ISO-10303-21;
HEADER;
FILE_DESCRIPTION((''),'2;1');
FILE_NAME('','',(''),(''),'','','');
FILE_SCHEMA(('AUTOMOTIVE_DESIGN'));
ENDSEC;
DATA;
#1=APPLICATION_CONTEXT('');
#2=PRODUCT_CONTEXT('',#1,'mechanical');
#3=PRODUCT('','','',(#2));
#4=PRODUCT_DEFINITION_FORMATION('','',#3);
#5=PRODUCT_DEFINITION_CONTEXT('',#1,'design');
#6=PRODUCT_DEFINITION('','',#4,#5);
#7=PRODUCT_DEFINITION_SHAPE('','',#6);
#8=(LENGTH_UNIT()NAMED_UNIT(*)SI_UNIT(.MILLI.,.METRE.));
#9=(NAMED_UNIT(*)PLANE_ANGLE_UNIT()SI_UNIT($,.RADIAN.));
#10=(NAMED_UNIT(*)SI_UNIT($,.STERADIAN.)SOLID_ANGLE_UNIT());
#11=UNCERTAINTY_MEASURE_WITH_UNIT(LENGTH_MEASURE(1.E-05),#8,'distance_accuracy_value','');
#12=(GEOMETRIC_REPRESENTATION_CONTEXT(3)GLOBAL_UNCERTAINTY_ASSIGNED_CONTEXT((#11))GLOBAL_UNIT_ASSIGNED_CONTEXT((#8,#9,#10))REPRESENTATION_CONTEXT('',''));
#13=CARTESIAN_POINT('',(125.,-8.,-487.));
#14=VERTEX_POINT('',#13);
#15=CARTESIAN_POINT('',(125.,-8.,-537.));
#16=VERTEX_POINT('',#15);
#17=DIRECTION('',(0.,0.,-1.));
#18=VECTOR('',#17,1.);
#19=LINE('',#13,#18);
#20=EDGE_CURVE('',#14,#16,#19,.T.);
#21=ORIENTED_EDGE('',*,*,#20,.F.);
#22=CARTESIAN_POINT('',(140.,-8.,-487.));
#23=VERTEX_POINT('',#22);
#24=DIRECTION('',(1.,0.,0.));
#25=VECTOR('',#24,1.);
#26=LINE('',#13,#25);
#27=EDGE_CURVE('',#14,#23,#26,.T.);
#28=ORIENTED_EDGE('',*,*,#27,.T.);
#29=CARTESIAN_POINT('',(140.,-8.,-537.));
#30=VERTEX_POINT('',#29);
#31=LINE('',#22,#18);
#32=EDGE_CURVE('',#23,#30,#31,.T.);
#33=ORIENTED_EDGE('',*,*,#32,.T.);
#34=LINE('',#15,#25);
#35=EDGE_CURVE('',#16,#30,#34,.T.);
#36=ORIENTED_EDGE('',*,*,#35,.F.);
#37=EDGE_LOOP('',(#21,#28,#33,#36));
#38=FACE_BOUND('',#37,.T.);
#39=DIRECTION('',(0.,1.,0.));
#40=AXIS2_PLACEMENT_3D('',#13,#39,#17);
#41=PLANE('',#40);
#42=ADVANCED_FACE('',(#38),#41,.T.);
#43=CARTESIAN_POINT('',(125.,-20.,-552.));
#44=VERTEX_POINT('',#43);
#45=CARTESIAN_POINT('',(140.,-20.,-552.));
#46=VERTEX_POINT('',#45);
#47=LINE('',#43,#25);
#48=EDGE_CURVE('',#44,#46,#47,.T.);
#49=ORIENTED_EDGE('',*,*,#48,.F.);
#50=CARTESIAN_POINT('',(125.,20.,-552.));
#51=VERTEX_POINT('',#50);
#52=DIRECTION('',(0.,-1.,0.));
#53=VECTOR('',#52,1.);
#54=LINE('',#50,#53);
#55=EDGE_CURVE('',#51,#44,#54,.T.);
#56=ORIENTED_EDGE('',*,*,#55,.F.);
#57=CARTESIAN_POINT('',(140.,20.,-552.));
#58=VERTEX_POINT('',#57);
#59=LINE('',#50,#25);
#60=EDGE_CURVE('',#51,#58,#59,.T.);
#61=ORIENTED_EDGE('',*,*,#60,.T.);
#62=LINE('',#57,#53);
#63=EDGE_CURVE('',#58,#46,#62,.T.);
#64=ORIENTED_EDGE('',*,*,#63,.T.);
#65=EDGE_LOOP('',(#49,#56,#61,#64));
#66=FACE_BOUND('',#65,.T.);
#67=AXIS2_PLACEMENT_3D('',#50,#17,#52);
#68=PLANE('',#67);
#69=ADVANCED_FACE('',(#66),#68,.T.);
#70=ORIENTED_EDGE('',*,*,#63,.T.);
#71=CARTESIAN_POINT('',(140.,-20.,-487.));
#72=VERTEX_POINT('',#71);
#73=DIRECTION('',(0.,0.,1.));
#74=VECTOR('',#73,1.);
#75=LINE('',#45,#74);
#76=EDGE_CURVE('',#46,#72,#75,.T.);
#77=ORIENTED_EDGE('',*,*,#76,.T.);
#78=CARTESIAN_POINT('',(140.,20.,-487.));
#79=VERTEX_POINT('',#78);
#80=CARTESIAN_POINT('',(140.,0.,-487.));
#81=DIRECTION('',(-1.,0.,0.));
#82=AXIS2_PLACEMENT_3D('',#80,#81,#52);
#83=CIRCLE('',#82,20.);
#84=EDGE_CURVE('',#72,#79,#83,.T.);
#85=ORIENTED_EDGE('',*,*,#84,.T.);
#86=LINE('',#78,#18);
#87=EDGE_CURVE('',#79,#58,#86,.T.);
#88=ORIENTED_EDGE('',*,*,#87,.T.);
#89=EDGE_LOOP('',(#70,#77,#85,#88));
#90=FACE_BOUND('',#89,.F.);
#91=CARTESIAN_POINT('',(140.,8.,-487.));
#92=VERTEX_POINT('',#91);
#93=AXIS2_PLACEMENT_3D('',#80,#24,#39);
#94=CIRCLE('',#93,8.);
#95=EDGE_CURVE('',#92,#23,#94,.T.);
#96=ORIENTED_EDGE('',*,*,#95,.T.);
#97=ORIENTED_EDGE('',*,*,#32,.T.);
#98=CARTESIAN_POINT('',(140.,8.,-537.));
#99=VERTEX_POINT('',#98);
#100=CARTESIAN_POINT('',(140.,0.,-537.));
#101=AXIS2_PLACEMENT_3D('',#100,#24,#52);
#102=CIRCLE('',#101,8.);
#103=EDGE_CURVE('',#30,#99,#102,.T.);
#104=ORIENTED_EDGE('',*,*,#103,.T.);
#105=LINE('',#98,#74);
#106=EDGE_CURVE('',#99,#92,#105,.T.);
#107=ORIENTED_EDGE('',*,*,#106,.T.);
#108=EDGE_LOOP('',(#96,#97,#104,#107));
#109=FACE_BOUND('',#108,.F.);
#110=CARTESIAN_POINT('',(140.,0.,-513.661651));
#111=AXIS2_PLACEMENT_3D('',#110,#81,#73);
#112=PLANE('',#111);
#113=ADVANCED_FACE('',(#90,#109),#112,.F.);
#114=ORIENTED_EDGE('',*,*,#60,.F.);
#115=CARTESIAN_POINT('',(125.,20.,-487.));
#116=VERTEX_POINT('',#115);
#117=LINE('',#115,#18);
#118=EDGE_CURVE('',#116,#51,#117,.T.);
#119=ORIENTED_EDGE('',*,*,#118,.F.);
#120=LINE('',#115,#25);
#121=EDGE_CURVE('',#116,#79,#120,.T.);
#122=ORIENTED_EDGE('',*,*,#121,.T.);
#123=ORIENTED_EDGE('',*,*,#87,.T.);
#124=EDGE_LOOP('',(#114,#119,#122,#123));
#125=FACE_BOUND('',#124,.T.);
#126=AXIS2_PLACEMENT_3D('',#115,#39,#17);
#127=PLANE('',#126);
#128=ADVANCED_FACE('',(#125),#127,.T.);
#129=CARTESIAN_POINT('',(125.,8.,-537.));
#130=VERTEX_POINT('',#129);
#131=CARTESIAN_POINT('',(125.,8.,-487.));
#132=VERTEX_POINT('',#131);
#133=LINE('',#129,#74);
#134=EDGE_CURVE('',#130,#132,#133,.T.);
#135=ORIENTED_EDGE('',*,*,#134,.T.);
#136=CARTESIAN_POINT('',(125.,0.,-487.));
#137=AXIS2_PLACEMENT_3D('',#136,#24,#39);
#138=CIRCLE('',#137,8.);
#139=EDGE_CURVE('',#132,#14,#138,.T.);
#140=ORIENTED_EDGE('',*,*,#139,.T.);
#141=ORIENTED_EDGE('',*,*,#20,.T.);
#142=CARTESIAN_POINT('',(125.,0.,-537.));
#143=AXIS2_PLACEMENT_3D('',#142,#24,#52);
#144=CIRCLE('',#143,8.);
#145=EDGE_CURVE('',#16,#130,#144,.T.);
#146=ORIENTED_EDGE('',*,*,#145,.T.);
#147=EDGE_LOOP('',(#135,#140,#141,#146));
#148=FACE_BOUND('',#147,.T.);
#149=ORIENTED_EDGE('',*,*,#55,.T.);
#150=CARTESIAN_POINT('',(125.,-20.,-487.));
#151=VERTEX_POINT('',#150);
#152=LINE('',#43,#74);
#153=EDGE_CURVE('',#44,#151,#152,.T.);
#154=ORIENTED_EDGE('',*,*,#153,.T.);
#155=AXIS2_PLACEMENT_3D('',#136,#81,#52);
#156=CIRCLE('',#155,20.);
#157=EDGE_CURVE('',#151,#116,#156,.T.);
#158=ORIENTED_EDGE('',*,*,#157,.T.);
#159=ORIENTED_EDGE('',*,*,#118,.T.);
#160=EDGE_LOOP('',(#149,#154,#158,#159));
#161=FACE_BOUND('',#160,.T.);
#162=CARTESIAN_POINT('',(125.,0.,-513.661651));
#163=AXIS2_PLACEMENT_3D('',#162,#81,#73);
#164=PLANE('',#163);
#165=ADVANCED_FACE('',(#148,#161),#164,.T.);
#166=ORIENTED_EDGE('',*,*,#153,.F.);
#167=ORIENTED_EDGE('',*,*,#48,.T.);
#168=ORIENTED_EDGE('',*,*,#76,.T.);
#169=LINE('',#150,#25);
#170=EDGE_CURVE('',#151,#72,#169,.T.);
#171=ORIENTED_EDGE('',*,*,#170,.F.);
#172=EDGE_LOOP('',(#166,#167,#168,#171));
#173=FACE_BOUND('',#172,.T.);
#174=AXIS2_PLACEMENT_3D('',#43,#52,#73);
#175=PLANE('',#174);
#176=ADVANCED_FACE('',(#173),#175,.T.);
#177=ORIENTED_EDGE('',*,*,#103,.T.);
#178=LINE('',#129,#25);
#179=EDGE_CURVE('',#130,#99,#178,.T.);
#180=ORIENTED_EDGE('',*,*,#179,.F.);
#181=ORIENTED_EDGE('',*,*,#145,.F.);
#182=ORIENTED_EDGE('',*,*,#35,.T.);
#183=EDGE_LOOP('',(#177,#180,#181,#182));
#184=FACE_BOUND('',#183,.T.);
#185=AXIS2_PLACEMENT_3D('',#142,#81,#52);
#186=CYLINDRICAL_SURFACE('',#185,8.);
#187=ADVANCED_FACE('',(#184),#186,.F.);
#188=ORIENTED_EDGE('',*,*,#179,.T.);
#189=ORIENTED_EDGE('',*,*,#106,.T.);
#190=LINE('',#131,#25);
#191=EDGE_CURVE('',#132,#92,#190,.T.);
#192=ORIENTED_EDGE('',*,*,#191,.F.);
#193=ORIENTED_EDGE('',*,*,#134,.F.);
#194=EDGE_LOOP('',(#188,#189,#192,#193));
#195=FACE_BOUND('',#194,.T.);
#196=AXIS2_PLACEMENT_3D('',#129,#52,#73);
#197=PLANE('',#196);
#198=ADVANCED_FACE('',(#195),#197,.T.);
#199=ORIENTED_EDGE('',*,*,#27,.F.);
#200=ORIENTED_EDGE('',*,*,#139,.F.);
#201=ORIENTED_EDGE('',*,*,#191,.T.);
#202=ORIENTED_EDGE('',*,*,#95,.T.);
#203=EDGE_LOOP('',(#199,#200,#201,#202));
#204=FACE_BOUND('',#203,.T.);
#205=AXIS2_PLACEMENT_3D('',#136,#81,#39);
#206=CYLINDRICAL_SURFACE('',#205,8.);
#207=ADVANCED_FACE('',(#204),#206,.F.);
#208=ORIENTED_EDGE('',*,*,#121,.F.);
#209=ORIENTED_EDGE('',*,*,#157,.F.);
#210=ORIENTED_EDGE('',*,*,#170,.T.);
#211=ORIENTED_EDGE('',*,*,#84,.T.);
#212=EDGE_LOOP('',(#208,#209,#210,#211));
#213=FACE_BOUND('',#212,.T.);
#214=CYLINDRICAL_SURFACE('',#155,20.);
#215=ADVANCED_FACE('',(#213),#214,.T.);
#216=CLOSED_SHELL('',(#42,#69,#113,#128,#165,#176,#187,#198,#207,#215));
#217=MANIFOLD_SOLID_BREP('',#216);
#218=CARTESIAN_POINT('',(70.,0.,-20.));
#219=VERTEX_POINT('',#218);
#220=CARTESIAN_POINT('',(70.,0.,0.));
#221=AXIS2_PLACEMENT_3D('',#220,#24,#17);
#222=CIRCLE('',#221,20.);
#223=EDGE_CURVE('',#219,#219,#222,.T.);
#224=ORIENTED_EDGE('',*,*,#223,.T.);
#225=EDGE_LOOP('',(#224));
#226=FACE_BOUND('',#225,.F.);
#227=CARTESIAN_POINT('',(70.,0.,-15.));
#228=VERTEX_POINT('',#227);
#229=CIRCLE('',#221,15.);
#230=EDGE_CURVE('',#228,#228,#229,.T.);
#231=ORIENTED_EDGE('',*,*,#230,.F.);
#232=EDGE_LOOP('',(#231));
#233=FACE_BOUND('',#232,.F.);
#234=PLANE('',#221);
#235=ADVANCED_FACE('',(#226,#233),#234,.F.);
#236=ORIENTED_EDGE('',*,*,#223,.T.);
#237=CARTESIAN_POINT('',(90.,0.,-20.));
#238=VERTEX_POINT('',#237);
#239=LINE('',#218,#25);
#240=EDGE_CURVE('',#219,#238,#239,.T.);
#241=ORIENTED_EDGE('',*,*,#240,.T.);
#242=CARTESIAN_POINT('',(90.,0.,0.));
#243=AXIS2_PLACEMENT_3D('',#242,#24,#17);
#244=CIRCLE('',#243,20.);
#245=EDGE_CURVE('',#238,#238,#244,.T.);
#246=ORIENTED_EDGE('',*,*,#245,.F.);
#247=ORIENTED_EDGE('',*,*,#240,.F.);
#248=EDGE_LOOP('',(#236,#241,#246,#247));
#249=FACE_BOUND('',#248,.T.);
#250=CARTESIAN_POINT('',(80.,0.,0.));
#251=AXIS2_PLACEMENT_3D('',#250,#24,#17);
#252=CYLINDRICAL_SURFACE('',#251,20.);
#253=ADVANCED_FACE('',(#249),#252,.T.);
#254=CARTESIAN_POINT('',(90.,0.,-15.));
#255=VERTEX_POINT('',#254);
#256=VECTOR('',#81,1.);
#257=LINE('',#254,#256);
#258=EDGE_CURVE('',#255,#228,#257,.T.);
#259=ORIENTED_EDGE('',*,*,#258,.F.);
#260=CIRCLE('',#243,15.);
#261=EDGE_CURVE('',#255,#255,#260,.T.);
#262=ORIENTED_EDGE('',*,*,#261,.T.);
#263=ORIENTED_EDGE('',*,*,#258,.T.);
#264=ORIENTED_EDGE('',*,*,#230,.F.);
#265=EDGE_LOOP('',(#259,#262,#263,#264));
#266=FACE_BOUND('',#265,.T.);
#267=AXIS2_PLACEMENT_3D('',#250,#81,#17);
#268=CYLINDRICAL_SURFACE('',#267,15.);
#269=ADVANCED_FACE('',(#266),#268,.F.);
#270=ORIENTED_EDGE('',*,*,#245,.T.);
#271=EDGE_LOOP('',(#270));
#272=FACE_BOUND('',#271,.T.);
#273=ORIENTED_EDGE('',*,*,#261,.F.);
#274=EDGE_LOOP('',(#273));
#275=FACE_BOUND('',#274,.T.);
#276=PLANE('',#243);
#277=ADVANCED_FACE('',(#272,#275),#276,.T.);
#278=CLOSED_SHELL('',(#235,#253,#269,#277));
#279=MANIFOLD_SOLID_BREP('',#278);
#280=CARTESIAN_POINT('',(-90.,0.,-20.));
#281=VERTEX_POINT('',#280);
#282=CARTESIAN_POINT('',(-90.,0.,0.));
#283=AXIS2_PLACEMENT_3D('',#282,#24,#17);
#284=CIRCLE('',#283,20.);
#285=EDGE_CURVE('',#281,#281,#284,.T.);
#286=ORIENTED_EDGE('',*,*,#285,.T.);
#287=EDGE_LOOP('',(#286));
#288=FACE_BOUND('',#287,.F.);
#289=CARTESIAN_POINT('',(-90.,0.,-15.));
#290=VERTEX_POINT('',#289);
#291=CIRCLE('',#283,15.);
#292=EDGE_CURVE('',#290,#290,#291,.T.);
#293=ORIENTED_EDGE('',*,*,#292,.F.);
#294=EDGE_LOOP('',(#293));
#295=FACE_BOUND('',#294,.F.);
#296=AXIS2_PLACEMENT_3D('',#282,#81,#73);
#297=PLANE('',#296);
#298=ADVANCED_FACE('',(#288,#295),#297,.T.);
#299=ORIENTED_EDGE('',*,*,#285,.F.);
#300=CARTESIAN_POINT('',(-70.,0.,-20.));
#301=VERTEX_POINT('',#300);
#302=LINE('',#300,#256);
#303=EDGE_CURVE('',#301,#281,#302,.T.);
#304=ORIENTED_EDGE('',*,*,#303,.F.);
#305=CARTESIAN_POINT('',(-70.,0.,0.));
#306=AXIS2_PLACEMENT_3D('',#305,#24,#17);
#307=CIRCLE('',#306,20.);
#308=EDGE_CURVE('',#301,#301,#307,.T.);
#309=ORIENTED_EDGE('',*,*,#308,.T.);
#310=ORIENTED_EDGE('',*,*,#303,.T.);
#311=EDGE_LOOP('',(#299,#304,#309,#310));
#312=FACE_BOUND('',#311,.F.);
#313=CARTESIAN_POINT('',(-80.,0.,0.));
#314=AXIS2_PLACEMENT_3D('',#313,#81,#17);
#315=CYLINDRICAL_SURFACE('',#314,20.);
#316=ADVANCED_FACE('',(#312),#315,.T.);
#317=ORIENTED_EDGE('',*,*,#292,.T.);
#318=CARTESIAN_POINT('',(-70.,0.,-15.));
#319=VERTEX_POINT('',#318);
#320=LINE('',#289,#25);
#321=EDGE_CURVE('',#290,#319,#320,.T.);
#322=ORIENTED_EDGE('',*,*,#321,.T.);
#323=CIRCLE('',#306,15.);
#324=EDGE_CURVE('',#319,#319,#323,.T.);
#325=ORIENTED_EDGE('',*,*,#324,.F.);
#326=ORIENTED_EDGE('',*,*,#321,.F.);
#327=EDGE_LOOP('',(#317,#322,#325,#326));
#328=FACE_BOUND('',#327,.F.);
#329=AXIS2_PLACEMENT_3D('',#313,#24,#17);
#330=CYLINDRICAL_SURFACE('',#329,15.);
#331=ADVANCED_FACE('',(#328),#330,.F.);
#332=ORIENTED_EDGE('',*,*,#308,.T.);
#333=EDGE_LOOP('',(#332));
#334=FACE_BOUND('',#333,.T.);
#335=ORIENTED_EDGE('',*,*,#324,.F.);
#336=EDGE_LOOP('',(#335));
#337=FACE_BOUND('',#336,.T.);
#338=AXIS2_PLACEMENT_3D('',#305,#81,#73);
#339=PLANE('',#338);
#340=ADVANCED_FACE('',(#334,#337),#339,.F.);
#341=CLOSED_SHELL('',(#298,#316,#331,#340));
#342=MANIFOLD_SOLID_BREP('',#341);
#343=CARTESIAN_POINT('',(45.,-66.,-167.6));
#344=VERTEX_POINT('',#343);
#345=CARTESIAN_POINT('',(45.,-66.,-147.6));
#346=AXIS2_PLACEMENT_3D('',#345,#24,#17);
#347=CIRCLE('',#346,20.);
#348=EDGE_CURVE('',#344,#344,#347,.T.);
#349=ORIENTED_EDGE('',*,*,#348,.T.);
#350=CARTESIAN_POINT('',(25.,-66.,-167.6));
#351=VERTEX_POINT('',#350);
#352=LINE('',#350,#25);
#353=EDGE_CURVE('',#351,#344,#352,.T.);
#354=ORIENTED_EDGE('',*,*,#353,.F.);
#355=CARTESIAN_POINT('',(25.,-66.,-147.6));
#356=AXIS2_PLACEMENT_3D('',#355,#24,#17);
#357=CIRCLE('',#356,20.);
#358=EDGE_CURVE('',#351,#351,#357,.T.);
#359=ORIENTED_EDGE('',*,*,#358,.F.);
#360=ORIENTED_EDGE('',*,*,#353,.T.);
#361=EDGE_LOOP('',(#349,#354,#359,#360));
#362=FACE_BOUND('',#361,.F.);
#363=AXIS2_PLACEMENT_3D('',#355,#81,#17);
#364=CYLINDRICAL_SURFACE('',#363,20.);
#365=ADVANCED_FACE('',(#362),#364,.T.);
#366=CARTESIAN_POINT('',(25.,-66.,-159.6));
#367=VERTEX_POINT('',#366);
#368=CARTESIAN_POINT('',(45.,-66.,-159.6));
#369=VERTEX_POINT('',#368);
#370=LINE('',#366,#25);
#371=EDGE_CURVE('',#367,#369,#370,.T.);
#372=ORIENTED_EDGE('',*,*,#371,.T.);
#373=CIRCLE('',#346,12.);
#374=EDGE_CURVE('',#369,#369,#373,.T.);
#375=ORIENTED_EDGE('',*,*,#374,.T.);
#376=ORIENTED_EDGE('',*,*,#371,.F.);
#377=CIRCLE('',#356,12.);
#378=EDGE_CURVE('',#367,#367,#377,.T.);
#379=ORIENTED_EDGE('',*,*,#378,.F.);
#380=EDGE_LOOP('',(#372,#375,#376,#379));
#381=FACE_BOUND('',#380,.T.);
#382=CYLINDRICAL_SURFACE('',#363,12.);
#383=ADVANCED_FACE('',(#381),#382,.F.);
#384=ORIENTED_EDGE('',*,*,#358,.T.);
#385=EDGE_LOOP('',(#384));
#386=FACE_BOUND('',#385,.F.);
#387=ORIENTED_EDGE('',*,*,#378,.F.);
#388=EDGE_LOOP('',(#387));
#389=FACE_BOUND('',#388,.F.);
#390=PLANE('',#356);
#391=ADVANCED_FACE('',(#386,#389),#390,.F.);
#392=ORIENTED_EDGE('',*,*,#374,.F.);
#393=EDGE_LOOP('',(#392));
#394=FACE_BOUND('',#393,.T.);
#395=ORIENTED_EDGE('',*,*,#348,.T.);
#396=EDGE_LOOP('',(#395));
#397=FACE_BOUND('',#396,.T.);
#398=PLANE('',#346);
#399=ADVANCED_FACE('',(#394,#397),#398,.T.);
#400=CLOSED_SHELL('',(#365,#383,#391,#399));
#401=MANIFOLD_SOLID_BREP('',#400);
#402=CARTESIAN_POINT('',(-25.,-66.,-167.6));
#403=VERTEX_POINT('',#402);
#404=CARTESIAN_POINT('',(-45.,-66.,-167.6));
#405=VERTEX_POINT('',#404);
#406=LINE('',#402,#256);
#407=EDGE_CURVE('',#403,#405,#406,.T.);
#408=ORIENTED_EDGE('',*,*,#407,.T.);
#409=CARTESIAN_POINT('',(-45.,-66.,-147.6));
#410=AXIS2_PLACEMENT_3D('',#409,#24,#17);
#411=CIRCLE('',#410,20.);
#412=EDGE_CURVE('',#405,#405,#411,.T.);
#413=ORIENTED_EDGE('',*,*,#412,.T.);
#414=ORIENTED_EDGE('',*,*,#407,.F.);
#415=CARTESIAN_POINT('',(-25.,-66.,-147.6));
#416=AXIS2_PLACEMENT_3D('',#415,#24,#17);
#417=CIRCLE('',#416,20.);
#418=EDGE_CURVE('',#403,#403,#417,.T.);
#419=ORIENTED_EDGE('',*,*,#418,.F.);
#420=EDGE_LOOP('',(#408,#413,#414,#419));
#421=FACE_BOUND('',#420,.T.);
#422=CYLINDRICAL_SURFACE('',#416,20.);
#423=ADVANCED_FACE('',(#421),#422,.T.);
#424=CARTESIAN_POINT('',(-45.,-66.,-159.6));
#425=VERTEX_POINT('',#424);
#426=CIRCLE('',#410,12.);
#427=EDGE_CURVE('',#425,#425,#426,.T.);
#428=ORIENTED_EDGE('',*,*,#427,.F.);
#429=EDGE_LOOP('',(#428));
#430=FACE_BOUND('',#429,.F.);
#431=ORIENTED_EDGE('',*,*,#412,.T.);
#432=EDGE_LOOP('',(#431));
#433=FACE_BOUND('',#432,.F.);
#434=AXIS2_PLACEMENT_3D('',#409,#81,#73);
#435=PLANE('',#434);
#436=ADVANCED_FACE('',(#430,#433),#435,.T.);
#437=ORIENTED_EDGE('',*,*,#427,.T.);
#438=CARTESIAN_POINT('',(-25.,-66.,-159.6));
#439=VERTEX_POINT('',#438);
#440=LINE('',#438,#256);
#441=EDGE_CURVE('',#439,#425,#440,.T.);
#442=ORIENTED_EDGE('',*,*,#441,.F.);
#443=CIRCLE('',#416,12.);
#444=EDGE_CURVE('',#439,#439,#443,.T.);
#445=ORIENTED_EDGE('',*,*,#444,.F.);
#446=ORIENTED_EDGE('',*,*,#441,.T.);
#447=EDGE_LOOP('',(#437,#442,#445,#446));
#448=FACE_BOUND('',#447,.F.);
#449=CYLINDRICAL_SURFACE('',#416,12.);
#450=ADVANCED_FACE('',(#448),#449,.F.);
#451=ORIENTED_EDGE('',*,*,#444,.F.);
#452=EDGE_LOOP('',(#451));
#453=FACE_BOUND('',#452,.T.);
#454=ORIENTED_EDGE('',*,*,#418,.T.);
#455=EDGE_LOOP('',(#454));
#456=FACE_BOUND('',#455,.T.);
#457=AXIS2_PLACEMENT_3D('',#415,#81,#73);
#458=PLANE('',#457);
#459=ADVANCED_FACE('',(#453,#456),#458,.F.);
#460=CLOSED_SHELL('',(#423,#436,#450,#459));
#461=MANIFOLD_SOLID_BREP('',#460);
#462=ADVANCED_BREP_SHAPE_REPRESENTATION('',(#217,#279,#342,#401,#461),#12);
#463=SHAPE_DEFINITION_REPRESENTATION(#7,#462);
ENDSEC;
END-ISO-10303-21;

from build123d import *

# Parameters (mm, degrees)
RAMA_START               = -55
SZKIC_INSERT_RAMA_R      = 20
SZKIC_INSERT_RAMA_R_2    = 15
RAMA_DEPTH               = 10
LINKAGE_START            = 25
SZKIC_INSERT_LINKAGE_R   = 20
SZKIC_INSERT_LINKAGE_R_2 = 12
LINKAGE_DEPTH            = 20
TYLNE_KO_O_DEPTH         = 15


with BuildPart() as part:
    # Szkic - insert - rama → Rama (new, symmetric)
    with BuildSketch(Plane(origin=(135, 0, 0), x_dir=(0, 0, -1), z_dir=(1, 0, 0)).offset(RAMA_START)):
        Circle(SZKIC_INSERT_RAMA_R)
        Circle(SZKIC_INSERT_RAMA_R_2, mode=Mode.SUBTRACT)
    extrude(amount=RAMA_DEPTH, both=True)


with BuildPart() as body_2:
    # Szkic - insert - linkage → Linkage (new body)
    with BuildSketch(Plane(origin=(0, 0, 0), x_dir=(0, 0, -1), z_dir=(1, 0, 0)).offset(LINKAGE_START)):
        with Locations((147.6, -66)):
            Circle(SZKIC_INSERT_LINKAGE_R)
        with Locations((147.6, -66)):
            Circle(SZKIC_INSERT_LINKAGE_R_2, mode=Mode.SUBTRACT)
    extrude(amount=LINKAGE_DEPTH)


with BuildPart() as body_3:
    # Szkic - insert - tylne koło → Tylne koło (new body)
    with BuildSketch(Plane(origin=(125, 0, 0), x_dir=(0, 0, -1), z_dir=(1, 0, 0))):
        with BuildLine():
            Line((487, 20), (552, 20))
            Line((552, 20), (552, -20))
            Line((552, -20), (487, -20))
            ThreePointArc((487, -20), (467, 0), (487, 20))
        make_face()
        with BuildLine():
            Line((537, 8), (487, 8))
            ThreePointArc((487, 8), (479, 0), (487, -8))
            Line((487, -8), (537, -8))
            ThreePointArc((537, -8), (545, 0), (537, 8))
        make_face(mode=Mode.SUBTRACT)
    extrude(amount=TYLNE_KO_O_DEPTH)


with BuildPart() as body_4:
    # Lustro3: mirrored copy
    add(part.part.mirror(Plane(origin=(0, 0, 0), x_dir=(0, 0, 1), z_dir=(1, 0, 0))))


with BuildPart() as body_5:
    # Lustro3 2: mirrored copy
    add(body_2.part.mirror(Plane(origin=(0, 0, 0), x_dir=(0, 0, 1), z_dir=(1, 0, 0))))


solid = Compound([part.part, body_2.part, body_3.part, body_4.part, body_5.part])
